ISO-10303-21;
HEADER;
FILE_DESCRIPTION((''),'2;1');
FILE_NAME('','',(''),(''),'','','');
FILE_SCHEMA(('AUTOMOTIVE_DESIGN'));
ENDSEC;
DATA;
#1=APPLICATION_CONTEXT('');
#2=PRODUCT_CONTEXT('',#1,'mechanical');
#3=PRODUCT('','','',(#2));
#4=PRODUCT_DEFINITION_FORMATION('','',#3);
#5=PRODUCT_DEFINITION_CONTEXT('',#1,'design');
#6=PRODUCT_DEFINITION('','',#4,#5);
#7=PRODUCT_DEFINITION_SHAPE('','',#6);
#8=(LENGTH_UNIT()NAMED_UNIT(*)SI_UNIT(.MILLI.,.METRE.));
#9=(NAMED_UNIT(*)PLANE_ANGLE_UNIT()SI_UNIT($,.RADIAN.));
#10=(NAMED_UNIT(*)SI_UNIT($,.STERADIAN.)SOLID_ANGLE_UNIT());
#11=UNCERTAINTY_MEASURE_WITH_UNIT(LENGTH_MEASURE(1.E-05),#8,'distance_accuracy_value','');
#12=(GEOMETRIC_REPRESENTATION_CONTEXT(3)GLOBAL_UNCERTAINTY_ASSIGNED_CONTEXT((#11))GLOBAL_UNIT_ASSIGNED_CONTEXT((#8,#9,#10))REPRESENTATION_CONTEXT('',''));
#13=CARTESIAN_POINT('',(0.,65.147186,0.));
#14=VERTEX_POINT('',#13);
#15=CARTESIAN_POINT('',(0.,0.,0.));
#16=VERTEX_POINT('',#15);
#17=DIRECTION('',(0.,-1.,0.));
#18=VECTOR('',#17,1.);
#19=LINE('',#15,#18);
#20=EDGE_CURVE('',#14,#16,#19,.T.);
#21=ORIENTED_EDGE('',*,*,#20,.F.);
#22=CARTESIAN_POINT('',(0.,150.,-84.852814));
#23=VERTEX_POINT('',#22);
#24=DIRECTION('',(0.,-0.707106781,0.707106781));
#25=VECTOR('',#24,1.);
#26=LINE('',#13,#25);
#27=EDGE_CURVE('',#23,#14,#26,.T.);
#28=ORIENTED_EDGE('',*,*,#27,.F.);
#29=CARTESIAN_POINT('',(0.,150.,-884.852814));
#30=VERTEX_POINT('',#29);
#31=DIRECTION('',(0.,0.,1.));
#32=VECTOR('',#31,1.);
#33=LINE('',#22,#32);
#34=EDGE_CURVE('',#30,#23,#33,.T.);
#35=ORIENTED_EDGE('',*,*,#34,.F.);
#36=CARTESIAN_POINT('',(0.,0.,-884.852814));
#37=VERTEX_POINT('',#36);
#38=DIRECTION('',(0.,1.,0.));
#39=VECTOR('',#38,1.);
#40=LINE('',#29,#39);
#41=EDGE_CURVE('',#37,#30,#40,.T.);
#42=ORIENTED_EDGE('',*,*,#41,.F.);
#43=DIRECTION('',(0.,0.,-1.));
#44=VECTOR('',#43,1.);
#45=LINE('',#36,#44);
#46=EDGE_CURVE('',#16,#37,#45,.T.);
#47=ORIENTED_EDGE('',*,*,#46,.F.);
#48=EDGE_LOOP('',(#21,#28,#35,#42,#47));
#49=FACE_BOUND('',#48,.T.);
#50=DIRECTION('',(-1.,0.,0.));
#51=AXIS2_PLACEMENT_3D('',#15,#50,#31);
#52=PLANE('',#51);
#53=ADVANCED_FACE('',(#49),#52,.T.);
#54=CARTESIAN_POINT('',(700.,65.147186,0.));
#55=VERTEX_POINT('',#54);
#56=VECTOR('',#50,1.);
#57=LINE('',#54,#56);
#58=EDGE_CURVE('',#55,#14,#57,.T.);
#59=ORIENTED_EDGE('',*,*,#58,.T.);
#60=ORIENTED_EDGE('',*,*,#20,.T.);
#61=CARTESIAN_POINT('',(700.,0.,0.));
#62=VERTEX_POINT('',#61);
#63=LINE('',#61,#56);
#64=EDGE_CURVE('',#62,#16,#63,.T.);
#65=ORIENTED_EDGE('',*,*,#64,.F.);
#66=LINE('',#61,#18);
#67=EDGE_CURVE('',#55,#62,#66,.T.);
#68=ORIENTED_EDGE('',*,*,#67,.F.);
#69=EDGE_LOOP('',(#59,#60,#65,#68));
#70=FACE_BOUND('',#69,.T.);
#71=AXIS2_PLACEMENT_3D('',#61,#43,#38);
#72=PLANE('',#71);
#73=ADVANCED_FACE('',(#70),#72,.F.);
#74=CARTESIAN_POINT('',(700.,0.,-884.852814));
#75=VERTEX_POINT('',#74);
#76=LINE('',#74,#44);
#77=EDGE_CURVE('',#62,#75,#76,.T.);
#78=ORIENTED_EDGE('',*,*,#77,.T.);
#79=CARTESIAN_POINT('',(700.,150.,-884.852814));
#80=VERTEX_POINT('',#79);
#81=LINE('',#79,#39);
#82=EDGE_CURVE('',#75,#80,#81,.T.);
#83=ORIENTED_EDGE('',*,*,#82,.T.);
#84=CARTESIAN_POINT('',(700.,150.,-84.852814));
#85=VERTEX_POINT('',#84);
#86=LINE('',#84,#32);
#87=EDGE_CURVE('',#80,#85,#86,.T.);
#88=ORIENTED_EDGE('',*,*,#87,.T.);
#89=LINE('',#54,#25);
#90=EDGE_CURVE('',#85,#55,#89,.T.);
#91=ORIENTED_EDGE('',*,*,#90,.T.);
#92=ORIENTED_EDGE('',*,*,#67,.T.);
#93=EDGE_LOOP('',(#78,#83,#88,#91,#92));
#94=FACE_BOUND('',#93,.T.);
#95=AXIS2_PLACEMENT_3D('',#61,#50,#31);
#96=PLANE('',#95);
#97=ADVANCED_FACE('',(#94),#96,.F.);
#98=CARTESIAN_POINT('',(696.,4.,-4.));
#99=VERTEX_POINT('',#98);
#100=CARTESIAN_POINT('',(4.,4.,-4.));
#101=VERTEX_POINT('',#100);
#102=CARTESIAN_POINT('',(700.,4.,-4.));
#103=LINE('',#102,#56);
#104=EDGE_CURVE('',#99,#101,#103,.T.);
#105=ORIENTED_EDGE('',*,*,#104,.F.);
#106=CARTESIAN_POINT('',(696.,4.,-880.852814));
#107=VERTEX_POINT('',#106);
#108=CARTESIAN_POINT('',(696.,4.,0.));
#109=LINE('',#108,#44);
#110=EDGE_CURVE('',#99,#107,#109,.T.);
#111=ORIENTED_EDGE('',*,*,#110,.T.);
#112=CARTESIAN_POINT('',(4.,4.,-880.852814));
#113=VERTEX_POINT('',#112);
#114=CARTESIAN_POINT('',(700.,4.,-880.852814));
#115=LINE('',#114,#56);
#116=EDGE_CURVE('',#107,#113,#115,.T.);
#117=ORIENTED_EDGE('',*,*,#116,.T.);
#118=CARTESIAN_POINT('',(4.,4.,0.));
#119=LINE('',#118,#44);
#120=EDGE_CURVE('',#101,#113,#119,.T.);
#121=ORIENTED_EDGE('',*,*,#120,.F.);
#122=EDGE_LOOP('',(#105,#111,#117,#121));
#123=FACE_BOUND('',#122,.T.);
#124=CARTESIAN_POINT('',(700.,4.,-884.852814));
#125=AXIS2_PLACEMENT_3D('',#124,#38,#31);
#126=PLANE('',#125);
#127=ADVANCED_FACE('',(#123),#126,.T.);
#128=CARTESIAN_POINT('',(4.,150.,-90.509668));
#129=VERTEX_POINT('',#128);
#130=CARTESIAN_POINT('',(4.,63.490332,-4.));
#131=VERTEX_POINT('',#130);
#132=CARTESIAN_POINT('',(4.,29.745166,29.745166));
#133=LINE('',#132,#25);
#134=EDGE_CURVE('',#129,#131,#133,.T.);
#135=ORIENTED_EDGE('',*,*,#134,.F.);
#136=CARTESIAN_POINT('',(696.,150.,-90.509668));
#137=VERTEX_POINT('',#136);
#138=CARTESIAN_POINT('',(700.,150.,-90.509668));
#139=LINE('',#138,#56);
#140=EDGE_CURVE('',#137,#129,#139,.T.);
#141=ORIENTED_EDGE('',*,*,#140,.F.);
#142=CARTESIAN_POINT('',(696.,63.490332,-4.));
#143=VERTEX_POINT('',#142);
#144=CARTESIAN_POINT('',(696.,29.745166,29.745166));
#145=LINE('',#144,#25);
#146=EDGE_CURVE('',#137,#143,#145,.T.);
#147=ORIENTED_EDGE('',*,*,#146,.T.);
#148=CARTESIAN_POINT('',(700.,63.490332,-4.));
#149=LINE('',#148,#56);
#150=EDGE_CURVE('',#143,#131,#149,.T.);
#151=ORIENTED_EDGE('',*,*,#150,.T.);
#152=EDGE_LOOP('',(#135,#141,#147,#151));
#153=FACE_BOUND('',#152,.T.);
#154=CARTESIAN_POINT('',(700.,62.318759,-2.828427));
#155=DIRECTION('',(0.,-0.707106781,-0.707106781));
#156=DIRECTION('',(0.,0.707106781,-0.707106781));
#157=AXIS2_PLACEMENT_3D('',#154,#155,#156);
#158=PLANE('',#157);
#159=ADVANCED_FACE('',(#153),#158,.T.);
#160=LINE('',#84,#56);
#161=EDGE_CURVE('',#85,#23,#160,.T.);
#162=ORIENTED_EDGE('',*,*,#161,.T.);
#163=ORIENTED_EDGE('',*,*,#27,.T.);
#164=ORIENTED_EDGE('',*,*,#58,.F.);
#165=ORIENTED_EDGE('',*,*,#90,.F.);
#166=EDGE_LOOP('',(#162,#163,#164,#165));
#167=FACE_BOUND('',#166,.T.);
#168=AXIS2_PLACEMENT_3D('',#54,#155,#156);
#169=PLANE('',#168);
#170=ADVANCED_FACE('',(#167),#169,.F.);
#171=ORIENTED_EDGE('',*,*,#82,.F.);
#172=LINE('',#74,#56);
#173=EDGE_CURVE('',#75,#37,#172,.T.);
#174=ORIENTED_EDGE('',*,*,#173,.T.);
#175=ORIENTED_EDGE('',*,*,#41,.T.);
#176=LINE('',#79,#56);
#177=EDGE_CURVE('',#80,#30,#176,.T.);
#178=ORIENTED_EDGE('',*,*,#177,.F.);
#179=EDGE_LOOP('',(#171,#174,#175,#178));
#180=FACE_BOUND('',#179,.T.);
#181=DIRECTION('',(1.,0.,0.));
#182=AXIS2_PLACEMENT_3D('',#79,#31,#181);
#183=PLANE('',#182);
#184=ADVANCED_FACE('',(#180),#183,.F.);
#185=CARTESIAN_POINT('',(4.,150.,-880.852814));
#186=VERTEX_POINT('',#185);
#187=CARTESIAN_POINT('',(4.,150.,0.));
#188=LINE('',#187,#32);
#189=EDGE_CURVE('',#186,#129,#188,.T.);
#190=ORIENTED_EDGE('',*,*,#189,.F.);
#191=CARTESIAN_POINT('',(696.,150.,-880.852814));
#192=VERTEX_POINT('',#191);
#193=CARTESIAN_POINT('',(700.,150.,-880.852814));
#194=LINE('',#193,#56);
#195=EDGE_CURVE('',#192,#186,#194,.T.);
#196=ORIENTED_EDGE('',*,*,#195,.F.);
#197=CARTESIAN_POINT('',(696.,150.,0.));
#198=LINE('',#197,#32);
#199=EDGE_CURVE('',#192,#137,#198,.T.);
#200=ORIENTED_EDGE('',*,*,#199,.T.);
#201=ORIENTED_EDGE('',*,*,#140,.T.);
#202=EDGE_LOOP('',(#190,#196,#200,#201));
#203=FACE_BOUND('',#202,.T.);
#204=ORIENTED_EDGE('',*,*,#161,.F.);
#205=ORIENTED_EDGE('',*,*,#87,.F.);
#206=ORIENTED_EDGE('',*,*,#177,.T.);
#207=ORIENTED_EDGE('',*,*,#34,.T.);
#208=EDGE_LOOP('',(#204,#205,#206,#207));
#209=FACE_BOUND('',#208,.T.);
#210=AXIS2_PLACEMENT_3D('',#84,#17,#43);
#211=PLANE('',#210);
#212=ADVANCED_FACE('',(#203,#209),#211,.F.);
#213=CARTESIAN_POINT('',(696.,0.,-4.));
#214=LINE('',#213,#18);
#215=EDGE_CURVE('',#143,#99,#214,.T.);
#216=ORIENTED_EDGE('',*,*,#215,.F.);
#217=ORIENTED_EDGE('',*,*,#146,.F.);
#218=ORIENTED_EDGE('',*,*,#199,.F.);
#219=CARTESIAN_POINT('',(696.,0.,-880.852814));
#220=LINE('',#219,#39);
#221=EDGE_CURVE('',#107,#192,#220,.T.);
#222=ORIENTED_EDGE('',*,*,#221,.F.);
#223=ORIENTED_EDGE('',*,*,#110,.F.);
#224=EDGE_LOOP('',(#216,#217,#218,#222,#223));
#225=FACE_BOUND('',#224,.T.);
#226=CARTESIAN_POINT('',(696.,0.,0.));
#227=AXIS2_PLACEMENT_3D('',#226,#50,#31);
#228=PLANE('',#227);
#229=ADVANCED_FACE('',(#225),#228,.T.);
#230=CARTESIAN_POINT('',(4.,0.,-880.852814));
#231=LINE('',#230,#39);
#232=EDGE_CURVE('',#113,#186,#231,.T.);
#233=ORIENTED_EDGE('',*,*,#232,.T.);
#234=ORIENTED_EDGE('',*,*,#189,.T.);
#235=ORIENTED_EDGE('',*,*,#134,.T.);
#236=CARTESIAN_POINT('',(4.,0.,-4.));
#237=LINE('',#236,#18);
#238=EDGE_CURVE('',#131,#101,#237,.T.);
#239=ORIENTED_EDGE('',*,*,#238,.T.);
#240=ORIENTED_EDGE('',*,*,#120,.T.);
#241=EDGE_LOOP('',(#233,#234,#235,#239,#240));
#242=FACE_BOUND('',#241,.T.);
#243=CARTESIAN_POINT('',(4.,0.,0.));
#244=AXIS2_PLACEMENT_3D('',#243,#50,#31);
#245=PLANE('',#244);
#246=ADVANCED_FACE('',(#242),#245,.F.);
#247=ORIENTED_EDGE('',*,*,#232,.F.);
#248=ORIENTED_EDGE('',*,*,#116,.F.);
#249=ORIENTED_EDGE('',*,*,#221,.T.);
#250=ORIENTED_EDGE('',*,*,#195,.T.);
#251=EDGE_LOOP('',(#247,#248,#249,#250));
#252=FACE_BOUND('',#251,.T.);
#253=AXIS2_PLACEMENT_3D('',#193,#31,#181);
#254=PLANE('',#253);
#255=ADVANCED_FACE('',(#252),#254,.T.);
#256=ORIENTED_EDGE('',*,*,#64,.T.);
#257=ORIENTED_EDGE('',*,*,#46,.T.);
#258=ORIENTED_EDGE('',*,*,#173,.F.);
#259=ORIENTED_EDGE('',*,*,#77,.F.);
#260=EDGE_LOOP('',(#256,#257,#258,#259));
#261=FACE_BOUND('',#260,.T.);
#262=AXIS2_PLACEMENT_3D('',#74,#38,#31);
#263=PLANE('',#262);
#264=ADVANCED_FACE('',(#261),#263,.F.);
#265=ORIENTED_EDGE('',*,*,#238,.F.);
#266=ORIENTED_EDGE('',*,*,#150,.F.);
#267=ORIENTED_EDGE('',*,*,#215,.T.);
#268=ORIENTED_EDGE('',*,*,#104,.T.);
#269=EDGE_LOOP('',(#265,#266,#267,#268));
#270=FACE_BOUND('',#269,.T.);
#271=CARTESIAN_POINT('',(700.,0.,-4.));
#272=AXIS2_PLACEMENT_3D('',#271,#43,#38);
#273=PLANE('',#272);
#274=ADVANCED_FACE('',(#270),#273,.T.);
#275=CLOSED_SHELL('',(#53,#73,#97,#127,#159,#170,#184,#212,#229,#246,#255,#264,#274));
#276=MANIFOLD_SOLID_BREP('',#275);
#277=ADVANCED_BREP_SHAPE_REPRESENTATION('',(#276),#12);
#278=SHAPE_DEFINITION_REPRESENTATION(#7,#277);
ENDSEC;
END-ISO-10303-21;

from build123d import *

# Parameters (mm, degrees)
BOSS_EXTRUDE1_DEPTH = 700
SHELL1_T            = -4


with BuildPart() as part:
    # Sketch2 → Boss-Extrude1 (new body)
    with BuildSketch(Plane(origin=(0, 0, 0), x_dir=(0, 0, -1), z_dir=(1, 0, 0))):
        Polygon((0, 0), (0, 65.147186258), (84.852813742, 150), (884.852813742, 150), (884.852813742, 0), align=None)
    extrude(amount=BOSS_EXTRUDE1_DEPTH)

    # Shell1
    shell1_openings = [part.faces().sort_by_distance(p)[0] for p in [
        (350, 150, -484.852813742),
    ]]
    offset(amount=SHELL1_T, openings=shell1_openings, kind=Kind.INTERSECTION)


solid = part.part
